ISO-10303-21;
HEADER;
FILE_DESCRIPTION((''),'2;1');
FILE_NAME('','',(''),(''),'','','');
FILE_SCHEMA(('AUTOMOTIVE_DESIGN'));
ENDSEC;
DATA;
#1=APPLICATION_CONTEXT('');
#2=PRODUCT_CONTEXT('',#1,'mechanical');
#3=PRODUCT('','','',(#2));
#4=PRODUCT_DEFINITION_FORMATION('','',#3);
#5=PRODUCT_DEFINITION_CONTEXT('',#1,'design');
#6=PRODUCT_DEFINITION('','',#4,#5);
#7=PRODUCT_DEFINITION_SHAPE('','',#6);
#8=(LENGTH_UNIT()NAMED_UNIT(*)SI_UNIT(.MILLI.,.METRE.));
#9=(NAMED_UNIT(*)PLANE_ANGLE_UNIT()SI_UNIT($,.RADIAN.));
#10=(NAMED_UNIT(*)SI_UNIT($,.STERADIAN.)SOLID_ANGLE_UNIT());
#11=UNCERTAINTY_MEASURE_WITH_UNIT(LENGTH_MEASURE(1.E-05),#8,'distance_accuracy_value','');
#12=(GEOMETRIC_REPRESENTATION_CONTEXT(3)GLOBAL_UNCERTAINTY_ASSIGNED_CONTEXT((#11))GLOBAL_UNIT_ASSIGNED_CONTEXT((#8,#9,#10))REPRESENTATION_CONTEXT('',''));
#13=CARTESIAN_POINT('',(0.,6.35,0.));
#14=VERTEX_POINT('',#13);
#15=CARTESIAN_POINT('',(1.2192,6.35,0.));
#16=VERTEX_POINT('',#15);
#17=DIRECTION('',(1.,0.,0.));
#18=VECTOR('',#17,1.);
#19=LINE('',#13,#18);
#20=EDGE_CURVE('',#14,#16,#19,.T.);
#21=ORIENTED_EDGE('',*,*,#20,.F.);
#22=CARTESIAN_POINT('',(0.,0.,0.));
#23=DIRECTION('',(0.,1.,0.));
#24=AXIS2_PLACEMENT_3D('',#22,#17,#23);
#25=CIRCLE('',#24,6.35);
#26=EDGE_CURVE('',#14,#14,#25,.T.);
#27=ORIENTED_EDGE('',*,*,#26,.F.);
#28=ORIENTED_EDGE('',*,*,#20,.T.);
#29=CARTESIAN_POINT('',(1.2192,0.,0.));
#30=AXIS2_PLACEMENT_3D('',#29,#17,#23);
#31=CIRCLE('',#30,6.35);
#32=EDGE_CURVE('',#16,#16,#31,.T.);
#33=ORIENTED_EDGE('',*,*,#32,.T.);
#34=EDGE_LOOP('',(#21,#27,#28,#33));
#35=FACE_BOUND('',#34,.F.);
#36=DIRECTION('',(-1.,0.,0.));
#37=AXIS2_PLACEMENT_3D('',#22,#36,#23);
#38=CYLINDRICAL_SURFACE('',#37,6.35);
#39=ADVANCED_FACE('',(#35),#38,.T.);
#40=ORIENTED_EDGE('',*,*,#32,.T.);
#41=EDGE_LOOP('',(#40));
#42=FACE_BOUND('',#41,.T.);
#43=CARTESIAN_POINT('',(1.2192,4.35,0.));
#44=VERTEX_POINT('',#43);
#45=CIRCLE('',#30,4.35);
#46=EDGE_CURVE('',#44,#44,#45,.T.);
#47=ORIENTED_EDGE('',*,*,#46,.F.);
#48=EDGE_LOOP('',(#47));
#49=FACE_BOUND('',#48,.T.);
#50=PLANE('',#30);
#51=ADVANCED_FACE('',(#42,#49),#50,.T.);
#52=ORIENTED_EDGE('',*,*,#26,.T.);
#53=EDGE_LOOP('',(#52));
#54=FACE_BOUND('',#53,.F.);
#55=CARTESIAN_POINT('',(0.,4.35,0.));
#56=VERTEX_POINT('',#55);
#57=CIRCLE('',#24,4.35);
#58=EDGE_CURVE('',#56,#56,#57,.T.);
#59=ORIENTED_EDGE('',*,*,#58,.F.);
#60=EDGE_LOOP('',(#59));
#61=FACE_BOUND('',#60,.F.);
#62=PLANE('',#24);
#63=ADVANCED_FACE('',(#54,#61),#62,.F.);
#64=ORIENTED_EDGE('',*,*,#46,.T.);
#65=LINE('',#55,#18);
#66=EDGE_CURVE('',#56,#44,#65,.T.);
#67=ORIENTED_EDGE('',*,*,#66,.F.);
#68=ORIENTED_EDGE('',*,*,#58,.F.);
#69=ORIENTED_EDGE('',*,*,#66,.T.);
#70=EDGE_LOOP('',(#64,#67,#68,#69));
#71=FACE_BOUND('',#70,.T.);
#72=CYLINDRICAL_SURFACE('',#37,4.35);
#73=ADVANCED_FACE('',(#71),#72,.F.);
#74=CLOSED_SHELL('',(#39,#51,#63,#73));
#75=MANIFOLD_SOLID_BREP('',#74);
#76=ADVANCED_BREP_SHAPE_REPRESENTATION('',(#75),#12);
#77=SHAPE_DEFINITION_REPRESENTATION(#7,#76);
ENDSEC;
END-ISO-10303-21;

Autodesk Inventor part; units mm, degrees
ref_plane "YZ Plane" through (0, 0, 0) normal (1, 0, 0) x (0, 1, 0)
ref_plane "XZ Plane" through (0, 0, 0) normal (0, 1, 0) x (-1, 0, 0)
ref_plane "XY Plane" through (0, 0, 0) normal (0, 0, 1) x (1, 0, 0)
sketch "Sketch1" plane through (0, 0, 0) normal (1, 0, 0) x (0, 1, 0)
  circle A0 centre (0, 0) radius 4.35
  circle A1 centre (0, 0) radius 6.35
  dimension "d0" = 8.7
  dimension "d1" = 2
extrude "Extrusion1" add sketch "Sketch1" along normal blind 1.2192
properties part number "8mmspacer"
